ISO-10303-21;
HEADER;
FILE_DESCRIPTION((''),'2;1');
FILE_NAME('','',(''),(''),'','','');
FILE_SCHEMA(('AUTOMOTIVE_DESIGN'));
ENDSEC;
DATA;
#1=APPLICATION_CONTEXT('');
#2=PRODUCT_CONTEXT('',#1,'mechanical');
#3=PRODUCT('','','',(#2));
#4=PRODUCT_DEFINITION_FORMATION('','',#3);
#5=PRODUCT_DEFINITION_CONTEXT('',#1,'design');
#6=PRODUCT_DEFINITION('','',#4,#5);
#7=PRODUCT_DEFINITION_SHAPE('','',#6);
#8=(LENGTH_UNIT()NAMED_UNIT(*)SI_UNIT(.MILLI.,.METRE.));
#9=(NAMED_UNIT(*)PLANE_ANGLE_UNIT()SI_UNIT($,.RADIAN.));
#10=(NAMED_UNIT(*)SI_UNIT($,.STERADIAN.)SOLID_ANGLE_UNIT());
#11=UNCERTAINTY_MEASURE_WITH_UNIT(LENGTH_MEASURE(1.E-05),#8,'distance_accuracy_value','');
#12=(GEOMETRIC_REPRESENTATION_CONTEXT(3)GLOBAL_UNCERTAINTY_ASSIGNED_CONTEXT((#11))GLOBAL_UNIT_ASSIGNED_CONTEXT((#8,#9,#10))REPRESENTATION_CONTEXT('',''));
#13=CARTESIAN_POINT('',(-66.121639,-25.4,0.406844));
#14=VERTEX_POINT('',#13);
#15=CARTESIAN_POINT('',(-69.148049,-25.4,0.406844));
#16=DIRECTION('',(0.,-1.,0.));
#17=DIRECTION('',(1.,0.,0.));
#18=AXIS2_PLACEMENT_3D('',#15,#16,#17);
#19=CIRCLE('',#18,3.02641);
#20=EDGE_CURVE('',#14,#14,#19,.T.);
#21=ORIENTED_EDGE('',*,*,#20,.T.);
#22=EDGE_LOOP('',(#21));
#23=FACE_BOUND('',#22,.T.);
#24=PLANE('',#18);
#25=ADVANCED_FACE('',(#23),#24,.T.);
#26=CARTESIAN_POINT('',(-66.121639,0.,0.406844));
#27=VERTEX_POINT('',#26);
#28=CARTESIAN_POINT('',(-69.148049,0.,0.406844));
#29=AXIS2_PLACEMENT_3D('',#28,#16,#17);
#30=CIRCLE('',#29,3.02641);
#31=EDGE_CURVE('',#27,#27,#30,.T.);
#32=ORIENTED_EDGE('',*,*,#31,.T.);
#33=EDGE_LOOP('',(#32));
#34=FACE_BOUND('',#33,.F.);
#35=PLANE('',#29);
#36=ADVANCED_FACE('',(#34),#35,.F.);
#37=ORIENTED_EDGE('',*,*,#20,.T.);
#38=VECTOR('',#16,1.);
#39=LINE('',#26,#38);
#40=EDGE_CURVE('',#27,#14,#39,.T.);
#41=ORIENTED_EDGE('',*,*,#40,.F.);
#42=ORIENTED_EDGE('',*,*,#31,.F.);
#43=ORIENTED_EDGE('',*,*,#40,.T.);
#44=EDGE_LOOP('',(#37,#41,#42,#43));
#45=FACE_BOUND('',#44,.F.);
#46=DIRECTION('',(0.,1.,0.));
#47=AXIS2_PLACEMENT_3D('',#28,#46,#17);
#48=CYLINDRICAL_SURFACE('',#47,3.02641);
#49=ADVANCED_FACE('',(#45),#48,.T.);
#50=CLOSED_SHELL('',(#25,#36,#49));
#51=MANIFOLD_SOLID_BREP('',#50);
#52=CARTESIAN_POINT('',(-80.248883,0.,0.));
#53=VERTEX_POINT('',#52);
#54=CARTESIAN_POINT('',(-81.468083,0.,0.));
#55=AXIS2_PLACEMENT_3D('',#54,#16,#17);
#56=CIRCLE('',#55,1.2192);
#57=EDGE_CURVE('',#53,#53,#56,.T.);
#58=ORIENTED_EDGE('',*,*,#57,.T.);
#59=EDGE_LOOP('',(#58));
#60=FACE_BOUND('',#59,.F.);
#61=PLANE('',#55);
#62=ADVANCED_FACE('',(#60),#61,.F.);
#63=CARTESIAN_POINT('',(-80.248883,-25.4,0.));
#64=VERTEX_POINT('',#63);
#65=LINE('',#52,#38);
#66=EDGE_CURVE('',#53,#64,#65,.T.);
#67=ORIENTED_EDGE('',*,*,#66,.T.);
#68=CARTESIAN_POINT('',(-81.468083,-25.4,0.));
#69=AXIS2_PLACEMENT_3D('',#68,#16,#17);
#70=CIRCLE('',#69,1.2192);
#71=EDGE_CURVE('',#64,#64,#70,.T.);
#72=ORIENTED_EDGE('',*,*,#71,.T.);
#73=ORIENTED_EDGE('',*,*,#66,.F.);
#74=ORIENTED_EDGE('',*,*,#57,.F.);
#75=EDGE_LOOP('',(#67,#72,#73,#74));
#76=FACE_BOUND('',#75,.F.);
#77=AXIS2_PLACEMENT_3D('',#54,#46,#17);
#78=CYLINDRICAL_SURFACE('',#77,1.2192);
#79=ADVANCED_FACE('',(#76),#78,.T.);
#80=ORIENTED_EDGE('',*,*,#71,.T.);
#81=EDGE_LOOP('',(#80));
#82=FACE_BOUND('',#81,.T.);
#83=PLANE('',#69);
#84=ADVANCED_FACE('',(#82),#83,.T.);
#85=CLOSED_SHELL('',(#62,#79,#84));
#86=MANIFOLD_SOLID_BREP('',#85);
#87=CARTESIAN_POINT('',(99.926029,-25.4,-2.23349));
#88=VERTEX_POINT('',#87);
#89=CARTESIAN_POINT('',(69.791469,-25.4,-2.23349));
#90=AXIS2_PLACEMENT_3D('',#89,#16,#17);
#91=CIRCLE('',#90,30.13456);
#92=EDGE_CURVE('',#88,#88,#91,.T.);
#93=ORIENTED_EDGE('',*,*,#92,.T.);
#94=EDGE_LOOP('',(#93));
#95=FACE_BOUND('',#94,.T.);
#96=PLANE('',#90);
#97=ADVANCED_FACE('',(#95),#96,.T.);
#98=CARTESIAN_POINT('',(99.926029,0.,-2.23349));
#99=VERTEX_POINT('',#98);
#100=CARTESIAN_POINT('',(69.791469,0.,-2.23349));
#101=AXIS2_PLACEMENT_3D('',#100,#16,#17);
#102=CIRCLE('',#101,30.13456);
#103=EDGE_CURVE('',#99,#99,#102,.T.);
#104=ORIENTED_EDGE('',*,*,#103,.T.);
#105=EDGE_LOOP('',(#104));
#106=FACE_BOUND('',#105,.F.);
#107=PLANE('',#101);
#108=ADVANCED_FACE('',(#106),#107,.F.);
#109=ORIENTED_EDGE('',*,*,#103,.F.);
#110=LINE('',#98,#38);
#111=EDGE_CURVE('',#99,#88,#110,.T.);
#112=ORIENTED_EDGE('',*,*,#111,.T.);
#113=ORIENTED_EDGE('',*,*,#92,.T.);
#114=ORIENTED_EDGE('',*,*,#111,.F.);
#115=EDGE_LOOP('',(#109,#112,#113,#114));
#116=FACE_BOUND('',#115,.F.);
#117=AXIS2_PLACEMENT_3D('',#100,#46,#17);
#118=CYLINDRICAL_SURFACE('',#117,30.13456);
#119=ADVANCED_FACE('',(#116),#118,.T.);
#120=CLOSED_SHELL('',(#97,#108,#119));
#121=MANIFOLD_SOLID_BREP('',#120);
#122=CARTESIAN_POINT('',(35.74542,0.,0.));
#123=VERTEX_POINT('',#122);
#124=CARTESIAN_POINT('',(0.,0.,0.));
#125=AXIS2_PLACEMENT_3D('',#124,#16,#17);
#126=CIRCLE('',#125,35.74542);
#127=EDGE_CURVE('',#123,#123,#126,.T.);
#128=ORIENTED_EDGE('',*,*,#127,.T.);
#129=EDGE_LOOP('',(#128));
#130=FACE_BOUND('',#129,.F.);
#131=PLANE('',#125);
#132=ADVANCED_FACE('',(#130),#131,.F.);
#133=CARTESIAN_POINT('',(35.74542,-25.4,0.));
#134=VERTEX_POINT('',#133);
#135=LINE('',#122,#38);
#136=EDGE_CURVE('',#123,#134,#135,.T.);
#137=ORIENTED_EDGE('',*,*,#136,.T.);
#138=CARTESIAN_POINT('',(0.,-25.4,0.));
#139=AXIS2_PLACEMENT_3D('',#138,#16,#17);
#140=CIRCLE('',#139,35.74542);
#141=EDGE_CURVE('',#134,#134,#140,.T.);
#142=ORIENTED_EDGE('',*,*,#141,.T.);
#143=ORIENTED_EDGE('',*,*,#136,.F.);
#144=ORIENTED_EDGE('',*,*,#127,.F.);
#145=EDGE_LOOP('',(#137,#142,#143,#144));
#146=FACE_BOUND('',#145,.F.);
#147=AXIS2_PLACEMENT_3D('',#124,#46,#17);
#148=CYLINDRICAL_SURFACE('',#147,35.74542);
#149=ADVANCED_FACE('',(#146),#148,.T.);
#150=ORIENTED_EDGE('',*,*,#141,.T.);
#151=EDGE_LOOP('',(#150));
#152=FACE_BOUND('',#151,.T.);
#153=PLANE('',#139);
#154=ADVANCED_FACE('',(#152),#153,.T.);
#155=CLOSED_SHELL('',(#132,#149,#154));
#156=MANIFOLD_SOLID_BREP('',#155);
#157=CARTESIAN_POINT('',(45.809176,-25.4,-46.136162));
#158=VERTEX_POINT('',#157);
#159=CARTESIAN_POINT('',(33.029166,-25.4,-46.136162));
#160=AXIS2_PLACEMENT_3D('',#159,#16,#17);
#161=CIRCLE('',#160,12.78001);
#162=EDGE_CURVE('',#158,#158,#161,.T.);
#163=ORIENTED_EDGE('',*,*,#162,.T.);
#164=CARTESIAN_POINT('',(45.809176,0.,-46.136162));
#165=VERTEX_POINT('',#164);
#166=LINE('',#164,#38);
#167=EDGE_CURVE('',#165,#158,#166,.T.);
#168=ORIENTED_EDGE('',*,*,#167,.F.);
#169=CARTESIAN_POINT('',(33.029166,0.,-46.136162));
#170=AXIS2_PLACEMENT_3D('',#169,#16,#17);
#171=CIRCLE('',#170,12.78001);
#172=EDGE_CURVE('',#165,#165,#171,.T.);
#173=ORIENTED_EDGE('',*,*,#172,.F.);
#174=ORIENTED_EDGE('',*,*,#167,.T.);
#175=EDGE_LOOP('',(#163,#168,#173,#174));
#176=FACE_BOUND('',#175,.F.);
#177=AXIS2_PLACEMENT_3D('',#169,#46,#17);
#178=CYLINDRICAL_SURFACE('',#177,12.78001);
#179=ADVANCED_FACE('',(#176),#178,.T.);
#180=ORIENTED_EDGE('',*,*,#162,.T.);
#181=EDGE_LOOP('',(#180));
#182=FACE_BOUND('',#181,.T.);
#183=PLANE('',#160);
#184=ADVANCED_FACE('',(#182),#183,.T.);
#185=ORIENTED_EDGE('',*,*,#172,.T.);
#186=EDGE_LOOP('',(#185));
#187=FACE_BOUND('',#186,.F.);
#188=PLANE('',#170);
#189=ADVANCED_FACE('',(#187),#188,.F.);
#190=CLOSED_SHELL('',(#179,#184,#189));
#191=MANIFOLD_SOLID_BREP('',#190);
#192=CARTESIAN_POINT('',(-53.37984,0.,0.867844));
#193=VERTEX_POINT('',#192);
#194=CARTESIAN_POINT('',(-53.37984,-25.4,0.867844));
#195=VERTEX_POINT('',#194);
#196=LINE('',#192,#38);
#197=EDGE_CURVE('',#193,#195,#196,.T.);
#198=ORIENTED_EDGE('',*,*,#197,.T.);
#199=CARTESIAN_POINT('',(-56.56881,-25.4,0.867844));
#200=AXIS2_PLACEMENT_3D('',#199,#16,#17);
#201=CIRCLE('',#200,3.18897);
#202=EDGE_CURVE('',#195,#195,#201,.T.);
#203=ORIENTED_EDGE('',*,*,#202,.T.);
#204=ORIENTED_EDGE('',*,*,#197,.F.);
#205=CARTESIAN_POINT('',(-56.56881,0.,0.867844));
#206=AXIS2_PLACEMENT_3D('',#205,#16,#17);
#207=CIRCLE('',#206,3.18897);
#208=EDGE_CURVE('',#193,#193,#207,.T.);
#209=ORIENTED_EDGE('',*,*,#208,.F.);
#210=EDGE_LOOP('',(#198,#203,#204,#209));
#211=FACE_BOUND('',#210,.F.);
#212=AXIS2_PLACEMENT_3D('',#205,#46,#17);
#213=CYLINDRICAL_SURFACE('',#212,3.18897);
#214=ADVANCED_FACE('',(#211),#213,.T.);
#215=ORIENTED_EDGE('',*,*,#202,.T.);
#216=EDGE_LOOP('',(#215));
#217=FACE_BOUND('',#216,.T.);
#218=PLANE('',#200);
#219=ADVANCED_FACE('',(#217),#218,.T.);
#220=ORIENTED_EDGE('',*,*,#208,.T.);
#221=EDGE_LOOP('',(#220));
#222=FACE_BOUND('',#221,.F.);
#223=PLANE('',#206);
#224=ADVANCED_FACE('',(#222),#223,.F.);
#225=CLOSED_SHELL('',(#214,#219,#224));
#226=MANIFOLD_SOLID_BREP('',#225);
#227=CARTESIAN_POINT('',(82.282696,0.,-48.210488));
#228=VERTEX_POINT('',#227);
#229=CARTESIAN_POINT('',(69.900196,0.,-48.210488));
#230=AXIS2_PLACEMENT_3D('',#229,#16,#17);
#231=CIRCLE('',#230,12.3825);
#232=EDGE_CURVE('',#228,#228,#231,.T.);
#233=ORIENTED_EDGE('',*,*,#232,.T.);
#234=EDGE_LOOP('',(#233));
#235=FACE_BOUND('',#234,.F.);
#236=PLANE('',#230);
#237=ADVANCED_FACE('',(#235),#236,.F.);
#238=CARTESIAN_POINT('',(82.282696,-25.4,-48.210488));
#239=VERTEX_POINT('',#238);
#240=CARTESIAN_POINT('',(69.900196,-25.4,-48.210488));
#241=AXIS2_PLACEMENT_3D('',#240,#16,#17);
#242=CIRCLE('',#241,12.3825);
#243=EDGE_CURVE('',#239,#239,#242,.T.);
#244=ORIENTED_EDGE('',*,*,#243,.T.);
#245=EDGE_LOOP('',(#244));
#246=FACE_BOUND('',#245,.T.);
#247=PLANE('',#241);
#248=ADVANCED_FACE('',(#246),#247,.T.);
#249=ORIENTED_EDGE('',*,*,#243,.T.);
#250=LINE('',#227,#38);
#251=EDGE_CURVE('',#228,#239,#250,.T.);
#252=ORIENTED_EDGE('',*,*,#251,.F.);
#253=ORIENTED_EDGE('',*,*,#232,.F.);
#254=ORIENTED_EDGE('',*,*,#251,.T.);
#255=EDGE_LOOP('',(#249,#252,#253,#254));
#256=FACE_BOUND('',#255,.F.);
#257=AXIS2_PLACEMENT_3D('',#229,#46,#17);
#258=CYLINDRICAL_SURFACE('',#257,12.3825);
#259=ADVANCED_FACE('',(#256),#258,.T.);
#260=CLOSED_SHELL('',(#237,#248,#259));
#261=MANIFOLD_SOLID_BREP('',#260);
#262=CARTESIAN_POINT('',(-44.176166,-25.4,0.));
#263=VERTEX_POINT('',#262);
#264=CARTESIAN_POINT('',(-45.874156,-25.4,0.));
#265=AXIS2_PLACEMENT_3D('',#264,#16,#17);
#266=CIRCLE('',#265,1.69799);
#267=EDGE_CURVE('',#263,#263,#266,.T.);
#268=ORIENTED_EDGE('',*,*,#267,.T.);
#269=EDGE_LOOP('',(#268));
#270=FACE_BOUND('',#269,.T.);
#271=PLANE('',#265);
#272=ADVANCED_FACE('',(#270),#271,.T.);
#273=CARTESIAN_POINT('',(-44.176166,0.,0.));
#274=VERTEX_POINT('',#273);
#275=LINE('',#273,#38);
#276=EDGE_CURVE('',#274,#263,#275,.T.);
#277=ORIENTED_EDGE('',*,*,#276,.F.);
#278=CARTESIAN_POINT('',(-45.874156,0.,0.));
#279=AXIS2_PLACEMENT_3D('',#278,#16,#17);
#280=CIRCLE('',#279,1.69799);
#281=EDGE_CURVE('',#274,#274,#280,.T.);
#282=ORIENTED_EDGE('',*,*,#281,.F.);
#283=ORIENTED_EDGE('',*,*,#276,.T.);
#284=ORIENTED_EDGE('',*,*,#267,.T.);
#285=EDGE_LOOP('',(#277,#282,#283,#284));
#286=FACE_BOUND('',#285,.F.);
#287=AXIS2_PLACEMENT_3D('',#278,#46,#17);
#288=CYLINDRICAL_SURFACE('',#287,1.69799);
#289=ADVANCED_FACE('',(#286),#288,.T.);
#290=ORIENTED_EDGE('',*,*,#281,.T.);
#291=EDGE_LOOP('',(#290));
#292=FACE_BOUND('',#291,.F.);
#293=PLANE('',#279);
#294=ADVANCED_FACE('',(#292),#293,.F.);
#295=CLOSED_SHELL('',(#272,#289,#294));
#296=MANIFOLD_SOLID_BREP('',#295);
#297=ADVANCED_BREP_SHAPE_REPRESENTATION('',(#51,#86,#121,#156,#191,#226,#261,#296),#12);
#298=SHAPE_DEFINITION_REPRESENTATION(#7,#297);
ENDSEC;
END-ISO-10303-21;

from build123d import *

# Parameters (mm, degrees)
F0_R     = 1.2192
F0_R_2   = 3.02641
F0_R_3   = 3.18897
F0_R_4   = 1.69799
F0_R_5   = 35.74542
F0_R_6   = 30.13456
F0_R_7   = 12.78001
F0_R_8   = 12.3825
F1_DEPTH = 25.4


with BuildPart() as f1:
    # F0 (on Front) → F1 (new body)
    with BuildSketch(Plane.XZ):
        with Locations((-81.468083, 0)):
            Circle(F0_R)
        with Locations((-69.148049, 0.406844)):
            Circle(F0_R_2)
        with Locations((-56.56881, 0.867844)):
            Circle(F0_R_3)
        with Locations((-45.874156, 0)):
            Circle(F0_R_4)
        Circle(F0_R_5)
        with Locations((69.791469, -2.23349)):
            Circle(F0_R_6)
        with Locations((33.029166, -46.136162)):
            Circle(F0_R_7)
        with Locations((69.900196, -48.210488)):
            Circle(F0_R_8)
    extrude(amount=F1_DEPTH)


solid = f1.part
